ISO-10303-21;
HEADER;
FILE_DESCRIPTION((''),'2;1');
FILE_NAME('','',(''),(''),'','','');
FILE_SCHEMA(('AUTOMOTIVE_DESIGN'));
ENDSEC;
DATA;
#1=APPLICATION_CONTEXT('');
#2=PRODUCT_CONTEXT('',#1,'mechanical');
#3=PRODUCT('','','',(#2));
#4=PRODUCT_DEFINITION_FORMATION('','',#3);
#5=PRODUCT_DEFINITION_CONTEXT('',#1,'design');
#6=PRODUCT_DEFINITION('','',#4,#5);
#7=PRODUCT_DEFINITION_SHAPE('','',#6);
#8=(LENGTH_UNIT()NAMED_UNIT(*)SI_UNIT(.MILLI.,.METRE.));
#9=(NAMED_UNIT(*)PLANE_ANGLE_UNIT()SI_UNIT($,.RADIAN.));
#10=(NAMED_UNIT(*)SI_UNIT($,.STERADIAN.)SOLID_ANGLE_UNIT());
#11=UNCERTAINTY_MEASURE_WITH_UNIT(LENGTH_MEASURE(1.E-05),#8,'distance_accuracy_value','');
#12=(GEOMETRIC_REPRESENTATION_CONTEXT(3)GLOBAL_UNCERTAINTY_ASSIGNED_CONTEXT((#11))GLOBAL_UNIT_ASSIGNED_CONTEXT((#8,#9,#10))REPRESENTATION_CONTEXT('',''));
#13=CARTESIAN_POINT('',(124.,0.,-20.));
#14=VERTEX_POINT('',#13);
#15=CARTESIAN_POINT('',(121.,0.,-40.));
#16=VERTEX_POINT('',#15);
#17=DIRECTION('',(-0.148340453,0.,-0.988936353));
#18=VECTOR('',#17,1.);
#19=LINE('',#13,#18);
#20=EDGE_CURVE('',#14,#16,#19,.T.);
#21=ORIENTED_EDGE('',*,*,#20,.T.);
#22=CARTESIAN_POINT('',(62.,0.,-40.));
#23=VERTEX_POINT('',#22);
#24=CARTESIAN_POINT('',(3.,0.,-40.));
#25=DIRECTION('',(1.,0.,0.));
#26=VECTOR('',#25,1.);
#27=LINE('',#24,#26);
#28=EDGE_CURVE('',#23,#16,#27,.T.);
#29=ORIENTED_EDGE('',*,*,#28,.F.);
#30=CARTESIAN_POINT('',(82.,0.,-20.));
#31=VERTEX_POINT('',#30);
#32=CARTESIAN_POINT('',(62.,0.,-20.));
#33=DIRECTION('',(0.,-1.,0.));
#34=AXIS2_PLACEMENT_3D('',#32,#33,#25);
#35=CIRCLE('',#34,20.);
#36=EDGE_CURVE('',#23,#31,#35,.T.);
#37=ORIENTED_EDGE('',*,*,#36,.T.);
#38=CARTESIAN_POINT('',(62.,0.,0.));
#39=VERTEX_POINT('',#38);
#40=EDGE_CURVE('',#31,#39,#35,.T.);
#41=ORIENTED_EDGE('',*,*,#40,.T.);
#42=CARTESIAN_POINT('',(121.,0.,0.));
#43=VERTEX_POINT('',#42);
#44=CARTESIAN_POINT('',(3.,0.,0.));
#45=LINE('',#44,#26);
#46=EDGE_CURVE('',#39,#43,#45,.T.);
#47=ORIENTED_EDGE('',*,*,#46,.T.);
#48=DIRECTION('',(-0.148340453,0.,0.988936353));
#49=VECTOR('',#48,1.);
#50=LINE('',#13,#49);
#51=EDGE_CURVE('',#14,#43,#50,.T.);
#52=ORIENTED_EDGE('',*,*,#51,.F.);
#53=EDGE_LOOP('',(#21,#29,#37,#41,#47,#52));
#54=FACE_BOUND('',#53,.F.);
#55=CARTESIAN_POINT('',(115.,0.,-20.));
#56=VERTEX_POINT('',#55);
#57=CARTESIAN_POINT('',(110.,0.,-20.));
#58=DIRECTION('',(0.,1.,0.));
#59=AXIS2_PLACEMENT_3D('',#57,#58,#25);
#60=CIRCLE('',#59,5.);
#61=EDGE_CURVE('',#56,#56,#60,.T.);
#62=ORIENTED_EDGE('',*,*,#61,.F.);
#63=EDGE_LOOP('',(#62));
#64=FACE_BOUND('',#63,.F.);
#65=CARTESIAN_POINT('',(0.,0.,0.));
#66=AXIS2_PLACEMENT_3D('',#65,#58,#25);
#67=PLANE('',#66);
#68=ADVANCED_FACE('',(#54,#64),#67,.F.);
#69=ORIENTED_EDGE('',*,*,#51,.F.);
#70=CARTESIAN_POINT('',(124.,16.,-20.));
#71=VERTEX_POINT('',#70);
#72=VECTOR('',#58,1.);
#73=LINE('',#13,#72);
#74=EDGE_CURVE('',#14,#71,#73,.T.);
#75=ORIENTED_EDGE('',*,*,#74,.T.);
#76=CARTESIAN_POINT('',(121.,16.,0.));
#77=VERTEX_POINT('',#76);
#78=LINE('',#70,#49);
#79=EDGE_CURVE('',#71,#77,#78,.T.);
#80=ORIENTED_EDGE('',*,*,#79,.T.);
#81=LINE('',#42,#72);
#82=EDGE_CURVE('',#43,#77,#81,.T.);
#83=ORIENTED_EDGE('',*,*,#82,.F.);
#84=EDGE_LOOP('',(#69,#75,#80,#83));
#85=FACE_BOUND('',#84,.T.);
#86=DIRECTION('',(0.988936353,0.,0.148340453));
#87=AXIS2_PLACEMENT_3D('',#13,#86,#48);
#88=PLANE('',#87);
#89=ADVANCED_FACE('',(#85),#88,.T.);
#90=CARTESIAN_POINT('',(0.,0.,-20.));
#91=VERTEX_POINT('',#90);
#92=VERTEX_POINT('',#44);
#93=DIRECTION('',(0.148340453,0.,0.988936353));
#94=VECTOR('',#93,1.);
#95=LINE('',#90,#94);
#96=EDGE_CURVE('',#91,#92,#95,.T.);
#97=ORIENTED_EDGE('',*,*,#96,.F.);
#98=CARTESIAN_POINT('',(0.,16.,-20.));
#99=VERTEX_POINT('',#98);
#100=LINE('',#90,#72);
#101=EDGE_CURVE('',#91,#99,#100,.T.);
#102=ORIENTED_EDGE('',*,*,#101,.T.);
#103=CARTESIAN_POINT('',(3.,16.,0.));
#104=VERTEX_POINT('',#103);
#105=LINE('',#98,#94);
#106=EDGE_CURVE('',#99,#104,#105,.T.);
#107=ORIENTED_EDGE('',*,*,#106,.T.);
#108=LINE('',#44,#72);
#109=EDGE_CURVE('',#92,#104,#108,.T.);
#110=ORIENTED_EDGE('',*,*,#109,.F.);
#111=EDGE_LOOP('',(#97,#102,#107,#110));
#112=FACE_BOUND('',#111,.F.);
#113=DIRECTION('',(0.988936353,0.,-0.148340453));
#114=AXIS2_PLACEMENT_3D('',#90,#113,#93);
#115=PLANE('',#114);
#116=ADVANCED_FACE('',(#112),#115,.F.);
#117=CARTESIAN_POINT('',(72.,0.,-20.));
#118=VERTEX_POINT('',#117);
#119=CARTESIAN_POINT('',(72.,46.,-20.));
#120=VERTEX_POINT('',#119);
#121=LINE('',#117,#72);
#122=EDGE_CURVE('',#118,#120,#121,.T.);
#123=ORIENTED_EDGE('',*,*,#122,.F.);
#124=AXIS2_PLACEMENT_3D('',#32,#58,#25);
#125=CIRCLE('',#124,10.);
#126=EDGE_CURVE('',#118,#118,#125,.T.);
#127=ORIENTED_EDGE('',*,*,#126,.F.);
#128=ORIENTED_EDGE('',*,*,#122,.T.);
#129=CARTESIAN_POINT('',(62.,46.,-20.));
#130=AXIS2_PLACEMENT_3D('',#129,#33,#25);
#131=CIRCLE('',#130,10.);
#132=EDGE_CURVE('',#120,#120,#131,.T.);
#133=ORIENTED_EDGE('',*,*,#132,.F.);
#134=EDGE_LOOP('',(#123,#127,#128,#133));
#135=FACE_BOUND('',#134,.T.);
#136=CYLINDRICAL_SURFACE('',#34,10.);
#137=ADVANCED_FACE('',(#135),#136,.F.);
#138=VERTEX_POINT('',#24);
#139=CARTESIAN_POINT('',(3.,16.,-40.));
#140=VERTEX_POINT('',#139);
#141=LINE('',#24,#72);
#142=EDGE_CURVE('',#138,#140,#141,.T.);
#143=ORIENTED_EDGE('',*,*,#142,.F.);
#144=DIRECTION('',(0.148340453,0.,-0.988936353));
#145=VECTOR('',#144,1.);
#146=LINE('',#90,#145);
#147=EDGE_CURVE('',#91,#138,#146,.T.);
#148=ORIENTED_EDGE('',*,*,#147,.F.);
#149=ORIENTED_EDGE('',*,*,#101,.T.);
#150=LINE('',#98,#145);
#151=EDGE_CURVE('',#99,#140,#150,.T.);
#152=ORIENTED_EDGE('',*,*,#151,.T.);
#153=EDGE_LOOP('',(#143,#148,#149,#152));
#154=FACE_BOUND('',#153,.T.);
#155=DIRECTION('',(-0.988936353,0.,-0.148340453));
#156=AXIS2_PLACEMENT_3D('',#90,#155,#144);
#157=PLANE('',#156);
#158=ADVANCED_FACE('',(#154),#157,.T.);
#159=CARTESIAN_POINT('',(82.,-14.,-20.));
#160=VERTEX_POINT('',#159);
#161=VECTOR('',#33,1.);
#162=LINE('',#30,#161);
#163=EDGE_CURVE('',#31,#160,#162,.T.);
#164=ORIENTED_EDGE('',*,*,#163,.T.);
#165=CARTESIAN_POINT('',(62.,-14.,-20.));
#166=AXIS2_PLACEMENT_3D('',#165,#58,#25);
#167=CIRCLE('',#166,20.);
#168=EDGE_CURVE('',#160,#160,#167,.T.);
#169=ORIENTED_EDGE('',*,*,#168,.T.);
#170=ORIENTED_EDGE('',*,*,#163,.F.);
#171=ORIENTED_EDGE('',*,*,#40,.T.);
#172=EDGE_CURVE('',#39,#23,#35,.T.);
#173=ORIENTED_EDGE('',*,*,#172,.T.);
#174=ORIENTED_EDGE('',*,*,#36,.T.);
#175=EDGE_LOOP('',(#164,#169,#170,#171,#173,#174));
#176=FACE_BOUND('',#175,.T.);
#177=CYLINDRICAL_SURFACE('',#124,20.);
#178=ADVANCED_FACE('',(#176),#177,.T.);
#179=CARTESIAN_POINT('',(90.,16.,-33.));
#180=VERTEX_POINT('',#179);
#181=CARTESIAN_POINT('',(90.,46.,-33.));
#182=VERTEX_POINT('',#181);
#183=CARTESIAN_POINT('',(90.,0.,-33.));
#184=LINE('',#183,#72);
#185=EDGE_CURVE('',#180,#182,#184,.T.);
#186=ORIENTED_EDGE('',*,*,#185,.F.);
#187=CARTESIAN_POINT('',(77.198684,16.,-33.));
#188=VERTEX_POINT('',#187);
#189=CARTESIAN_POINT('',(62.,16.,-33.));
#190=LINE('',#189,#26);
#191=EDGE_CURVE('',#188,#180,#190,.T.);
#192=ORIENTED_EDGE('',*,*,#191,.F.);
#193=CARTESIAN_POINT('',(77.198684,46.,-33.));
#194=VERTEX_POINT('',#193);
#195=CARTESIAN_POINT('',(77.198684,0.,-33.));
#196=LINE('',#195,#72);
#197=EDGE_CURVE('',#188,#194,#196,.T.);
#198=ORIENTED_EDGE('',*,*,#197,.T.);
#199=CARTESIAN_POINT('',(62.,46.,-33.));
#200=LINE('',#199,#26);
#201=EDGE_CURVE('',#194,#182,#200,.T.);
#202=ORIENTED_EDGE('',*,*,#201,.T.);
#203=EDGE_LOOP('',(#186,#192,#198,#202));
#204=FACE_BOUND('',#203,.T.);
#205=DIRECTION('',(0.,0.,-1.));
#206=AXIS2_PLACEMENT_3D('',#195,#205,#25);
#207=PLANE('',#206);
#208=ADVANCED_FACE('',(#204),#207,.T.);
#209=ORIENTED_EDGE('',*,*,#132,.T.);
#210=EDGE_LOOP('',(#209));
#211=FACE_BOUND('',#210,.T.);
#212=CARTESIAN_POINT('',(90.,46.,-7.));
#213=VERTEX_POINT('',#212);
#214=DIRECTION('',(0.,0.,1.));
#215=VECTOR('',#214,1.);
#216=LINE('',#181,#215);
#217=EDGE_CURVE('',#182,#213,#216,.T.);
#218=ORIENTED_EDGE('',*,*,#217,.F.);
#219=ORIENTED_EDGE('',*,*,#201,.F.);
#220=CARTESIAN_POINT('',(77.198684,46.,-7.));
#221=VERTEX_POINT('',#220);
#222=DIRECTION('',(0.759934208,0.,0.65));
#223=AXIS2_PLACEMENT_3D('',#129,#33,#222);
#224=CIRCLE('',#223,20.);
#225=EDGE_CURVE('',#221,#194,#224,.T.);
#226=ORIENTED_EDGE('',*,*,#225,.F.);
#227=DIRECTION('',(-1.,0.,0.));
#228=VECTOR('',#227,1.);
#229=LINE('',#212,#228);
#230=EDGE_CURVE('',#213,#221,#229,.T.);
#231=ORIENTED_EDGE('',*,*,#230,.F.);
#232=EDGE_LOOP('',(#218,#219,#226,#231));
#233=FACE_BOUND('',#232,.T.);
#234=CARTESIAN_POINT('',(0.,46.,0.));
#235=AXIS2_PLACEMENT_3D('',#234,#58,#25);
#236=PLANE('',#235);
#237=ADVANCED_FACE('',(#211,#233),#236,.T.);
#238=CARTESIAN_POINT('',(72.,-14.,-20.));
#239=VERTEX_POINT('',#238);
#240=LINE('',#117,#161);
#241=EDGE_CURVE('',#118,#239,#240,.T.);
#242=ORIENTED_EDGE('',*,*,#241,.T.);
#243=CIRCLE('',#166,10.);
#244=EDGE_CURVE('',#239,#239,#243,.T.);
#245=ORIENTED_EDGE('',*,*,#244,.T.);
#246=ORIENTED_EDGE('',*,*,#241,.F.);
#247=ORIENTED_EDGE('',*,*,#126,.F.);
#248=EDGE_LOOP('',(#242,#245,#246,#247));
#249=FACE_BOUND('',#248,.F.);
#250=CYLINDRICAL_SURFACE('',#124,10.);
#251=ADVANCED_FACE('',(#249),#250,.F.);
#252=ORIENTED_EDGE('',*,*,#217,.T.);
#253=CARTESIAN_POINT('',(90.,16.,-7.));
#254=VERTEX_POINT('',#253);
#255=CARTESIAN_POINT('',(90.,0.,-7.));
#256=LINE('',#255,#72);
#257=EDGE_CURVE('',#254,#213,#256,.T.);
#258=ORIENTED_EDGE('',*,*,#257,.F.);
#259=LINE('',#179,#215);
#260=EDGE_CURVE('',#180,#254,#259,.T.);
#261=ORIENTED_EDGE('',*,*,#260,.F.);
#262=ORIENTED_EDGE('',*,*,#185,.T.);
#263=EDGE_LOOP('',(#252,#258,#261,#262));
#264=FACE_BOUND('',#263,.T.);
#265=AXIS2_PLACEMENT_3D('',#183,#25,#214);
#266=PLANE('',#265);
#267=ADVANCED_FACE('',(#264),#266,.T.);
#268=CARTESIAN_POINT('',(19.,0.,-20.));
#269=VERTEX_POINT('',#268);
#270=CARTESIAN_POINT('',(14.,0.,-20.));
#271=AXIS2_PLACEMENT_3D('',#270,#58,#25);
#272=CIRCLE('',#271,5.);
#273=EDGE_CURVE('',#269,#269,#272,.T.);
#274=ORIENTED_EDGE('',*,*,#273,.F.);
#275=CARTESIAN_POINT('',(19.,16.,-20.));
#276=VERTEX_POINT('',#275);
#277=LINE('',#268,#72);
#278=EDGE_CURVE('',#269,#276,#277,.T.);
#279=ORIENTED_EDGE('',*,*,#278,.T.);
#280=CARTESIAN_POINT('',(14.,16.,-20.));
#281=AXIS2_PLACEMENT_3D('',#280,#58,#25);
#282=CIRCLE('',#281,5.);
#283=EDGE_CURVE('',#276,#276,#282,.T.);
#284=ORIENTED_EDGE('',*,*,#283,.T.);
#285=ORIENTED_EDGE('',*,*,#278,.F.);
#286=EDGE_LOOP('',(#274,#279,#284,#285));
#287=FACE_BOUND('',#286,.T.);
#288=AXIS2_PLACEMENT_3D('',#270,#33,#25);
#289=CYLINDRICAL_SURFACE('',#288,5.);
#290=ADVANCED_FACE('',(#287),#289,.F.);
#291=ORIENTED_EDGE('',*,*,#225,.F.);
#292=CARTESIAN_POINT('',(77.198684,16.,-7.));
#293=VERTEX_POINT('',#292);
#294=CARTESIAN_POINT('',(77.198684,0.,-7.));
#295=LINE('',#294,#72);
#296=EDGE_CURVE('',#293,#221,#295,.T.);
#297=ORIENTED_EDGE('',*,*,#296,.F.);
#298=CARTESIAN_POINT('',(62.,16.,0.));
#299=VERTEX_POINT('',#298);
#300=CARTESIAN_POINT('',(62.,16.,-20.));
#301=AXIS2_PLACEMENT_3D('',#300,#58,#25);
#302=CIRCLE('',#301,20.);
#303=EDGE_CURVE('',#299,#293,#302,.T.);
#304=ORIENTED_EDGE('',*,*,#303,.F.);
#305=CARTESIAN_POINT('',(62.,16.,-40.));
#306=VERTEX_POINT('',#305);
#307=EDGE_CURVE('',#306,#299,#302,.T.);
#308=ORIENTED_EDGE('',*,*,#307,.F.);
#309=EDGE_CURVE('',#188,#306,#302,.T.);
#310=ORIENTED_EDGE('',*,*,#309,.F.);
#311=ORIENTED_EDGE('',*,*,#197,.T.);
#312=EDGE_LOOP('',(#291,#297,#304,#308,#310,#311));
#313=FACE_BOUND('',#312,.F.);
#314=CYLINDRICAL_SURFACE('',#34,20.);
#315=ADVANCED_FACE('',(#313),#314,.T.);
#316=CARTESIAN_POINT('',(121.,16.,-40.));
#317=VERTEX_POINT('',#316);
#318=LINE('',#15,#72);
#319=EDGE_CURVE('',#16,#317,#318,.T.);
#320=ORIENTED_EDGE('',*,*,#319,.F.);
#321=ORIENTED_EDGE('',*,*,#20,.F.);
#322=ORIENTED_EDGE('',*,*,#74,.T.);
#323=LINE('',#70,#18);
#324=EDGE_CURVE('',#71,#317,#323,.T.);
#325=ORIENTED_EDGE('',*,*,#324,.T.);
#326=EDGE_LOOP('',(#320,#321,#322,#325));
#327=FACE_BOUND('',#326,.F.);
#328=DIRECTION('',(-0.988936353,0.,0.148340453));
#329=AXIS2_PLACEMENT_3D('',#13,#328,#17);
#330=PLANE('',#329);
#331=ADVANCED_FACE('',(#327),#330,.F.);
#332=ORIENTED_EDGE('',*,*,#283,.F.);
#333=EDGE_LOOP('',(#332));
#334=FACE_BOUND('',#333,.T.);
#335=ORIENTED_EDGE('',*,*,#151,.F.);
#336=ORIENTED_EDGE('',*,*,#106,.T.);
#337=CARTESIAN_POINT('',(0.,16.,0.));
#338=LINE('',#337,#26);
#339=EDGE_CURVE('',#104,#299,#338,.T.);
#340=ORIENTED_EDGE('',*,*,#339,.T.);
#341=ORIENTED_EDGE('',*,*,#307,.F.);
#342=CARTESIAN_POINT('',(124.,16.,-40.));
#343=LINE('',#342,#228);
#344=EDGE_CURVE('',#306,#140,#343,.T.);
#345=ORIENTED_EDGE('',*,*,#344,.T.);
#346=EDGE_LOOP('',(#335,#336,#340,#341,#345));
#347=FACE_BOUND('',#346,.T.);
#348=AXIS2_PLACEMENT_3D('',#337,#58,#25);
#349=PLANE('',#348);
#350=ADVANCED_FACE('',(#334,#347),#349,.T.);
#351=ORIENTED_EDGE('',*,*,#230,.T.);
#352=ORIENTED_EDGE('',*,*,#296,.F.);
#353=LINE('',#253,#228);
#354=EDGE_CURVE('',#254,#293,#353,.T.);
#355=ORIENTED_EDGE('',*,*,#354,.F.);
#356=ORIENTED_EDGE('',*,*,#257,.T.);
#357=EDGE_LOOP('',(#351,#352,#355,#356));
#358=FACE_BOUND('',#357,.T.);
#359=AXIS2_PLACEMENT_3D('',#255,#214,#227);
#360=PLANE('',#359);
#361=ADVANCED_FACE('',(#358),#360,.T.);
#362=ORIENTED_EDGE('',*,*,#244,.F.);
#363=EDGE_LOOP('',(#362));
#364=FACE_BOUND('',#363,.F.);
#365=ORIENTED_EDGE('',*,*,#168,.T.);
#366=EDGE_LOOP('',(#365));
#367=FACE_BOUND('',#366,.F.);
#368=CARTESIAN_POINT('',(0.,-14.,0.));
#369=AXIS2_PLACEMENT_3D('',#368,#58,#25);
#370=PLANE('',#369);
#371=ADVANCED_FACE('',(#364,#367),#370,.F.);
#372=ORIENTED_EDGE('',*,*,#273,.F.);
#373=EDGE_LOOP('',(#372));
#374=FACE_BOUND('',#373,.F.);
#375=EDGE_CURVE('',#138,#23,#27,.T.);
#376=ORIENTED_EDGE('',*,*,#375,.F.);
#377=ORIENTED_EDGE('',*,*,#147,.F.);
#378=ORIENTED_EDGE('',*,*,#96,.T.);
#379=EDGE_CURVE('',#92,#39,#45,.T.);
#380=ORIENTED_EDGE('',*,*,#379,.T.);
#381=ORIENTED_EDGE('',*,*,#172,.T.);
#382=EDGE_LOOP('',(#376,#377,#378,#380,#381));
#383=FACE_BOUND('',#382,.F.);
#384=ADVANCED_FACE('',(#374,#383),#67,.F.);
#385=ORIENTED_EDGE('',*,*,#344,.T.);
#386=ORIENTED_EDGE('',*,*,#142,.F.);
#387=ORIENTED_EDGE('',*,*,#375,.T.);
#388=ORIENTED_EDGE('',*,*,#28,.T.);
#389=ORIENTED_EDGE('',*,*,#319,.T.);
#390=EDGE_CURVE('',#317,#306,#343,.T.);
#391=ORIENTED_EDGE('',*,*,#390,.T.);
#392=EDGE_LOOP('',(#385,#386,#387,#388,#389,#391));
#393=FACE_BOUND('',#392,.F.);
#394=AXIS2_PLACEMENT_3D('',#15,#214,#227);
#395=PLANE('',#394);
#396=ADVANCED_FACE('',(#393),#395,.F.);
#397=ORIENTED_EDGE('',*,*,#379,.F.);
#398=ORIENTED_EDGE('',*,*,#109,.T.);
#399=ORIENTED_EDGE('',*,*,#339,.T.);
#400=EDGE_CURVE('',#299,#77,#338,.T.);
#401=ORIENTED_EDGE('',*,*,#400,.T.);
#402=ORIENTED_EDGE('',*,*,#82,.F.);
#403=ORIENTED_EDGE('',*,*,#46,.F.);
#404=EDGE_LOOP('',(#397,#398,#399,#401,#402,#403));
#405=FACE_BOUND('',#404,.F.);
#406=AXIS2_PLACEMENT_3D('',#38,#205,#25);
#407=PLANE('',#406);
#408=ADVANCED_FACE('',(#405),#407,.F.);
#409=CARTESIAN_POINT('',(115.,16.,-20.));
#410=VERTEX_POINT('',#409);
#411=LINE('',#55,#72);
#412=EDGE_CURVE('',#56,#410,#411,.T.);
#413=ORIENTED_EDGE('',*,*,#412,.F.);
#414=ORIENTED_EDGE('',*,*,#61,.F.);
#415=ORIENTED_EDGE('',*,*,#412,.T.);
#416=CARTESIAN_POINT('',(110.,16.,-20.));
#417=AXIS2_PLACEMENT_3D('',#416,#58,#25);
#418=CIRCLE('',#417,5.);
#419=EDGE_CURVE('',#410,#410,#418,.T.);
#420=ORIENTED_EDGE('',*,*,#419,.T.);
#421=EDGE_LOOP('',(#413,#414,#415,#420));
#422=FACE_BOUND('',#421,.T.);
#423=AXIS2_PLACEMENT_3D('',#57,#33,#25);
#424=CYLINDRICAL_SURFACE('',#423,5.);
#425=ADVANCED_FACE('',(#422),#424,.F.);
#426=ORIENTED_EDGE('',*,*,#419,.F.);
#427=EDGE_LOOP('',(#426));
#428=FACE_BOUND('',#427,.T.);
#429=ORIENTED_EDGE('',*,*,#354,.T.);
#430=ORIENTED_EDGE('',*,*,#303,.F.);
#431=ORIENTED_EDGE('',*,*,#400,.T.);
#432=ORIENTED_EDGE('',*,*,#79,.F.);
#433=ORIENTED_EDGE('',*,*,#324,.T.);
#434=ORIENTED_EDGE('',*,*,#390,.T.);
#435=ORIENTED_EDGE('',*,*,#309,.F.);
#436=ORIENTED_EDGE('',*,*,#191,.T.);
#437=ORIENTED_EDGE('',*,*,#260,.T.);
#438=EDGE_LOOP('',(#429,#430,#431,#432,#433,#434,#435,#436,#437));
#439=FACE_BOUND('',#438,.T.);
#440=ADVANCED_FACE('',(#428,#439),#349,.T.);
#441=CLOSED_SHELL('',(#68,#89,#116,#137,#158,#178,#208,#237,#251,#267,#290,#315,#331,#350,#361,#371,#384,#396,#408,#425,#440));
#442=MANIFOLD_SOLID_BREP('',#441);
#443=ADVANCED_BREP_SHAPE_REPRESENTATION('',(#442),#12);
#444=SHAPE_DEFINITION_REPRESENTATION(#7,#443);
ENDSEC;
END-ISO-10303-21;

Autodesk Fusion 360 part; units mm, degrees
sketch "Sketch1" plane through (0, 0, 0) normal (0, 1, 0) x (1, 0, 0)
  line L0 (0, 0) -> (124, 0)
  line L1 (124, 0) -> (124, 40)
  line L2 (124, 40) -> (0, 40)
  line L3 (0, 40) -> (0, 0)
  circle A0 centre (14, 20) radius 5
  circle A1 centre (110, 20) radius 5
  line L4 (0, 20) -> (3, 0)
  line L5 (0, 20) -> (3, 40)
  line L6 (124, 20) -> (121, 0)
  line L7 (124, 20) -> (121, 40)
  circle A2 centre (62, 20) radius 20
  circle A3 centre (62, 20) radius 10
  line L8 (62, 33) -> (90, 33)
  line L9 (90, 33) -> (90, 7)
  line L10 (90, 7) -> (62, 7)
  line L11 (62, 7) -> (62, 33)
  dimension "d1" = 124
  dimension "d2" = 40
  dimension "d3" = 14
  dimension "d4" = 14
  dimension "d5" = 3
  dimension "d6" = 3
  dimension "d7" = 3
  dimension "d8" = 3
  dimension "d9" = 40
  dimension "d10" = 62
  dimension "d11" = 20
  dimension "d12" = 28
  dimension "d13" = 26
  dimension "d14" = 13
  dimension "d15" = 28
extrude "Extrude1" add sketch "Sketch1" along normal blind 16 contours L0 L2 L4 L5 A2 | L0 L2 L6 L7 A2 L8 L9 L10
extrude "Extrude2" add sketch "Sketch1" along normal blind 46 contours A2 A3 L8 L10 L11 | A2 A3 L8 L10 L11 | A2 L8 L9 L10
extrude "Extrude3" add sketch "Sketch1" against normal blind 14 contours A2 A3 L8 L10 L11 | A2 A3 L8 L10 L11
equation "d10 = ( 124 / 2 ) * 1 mm"
